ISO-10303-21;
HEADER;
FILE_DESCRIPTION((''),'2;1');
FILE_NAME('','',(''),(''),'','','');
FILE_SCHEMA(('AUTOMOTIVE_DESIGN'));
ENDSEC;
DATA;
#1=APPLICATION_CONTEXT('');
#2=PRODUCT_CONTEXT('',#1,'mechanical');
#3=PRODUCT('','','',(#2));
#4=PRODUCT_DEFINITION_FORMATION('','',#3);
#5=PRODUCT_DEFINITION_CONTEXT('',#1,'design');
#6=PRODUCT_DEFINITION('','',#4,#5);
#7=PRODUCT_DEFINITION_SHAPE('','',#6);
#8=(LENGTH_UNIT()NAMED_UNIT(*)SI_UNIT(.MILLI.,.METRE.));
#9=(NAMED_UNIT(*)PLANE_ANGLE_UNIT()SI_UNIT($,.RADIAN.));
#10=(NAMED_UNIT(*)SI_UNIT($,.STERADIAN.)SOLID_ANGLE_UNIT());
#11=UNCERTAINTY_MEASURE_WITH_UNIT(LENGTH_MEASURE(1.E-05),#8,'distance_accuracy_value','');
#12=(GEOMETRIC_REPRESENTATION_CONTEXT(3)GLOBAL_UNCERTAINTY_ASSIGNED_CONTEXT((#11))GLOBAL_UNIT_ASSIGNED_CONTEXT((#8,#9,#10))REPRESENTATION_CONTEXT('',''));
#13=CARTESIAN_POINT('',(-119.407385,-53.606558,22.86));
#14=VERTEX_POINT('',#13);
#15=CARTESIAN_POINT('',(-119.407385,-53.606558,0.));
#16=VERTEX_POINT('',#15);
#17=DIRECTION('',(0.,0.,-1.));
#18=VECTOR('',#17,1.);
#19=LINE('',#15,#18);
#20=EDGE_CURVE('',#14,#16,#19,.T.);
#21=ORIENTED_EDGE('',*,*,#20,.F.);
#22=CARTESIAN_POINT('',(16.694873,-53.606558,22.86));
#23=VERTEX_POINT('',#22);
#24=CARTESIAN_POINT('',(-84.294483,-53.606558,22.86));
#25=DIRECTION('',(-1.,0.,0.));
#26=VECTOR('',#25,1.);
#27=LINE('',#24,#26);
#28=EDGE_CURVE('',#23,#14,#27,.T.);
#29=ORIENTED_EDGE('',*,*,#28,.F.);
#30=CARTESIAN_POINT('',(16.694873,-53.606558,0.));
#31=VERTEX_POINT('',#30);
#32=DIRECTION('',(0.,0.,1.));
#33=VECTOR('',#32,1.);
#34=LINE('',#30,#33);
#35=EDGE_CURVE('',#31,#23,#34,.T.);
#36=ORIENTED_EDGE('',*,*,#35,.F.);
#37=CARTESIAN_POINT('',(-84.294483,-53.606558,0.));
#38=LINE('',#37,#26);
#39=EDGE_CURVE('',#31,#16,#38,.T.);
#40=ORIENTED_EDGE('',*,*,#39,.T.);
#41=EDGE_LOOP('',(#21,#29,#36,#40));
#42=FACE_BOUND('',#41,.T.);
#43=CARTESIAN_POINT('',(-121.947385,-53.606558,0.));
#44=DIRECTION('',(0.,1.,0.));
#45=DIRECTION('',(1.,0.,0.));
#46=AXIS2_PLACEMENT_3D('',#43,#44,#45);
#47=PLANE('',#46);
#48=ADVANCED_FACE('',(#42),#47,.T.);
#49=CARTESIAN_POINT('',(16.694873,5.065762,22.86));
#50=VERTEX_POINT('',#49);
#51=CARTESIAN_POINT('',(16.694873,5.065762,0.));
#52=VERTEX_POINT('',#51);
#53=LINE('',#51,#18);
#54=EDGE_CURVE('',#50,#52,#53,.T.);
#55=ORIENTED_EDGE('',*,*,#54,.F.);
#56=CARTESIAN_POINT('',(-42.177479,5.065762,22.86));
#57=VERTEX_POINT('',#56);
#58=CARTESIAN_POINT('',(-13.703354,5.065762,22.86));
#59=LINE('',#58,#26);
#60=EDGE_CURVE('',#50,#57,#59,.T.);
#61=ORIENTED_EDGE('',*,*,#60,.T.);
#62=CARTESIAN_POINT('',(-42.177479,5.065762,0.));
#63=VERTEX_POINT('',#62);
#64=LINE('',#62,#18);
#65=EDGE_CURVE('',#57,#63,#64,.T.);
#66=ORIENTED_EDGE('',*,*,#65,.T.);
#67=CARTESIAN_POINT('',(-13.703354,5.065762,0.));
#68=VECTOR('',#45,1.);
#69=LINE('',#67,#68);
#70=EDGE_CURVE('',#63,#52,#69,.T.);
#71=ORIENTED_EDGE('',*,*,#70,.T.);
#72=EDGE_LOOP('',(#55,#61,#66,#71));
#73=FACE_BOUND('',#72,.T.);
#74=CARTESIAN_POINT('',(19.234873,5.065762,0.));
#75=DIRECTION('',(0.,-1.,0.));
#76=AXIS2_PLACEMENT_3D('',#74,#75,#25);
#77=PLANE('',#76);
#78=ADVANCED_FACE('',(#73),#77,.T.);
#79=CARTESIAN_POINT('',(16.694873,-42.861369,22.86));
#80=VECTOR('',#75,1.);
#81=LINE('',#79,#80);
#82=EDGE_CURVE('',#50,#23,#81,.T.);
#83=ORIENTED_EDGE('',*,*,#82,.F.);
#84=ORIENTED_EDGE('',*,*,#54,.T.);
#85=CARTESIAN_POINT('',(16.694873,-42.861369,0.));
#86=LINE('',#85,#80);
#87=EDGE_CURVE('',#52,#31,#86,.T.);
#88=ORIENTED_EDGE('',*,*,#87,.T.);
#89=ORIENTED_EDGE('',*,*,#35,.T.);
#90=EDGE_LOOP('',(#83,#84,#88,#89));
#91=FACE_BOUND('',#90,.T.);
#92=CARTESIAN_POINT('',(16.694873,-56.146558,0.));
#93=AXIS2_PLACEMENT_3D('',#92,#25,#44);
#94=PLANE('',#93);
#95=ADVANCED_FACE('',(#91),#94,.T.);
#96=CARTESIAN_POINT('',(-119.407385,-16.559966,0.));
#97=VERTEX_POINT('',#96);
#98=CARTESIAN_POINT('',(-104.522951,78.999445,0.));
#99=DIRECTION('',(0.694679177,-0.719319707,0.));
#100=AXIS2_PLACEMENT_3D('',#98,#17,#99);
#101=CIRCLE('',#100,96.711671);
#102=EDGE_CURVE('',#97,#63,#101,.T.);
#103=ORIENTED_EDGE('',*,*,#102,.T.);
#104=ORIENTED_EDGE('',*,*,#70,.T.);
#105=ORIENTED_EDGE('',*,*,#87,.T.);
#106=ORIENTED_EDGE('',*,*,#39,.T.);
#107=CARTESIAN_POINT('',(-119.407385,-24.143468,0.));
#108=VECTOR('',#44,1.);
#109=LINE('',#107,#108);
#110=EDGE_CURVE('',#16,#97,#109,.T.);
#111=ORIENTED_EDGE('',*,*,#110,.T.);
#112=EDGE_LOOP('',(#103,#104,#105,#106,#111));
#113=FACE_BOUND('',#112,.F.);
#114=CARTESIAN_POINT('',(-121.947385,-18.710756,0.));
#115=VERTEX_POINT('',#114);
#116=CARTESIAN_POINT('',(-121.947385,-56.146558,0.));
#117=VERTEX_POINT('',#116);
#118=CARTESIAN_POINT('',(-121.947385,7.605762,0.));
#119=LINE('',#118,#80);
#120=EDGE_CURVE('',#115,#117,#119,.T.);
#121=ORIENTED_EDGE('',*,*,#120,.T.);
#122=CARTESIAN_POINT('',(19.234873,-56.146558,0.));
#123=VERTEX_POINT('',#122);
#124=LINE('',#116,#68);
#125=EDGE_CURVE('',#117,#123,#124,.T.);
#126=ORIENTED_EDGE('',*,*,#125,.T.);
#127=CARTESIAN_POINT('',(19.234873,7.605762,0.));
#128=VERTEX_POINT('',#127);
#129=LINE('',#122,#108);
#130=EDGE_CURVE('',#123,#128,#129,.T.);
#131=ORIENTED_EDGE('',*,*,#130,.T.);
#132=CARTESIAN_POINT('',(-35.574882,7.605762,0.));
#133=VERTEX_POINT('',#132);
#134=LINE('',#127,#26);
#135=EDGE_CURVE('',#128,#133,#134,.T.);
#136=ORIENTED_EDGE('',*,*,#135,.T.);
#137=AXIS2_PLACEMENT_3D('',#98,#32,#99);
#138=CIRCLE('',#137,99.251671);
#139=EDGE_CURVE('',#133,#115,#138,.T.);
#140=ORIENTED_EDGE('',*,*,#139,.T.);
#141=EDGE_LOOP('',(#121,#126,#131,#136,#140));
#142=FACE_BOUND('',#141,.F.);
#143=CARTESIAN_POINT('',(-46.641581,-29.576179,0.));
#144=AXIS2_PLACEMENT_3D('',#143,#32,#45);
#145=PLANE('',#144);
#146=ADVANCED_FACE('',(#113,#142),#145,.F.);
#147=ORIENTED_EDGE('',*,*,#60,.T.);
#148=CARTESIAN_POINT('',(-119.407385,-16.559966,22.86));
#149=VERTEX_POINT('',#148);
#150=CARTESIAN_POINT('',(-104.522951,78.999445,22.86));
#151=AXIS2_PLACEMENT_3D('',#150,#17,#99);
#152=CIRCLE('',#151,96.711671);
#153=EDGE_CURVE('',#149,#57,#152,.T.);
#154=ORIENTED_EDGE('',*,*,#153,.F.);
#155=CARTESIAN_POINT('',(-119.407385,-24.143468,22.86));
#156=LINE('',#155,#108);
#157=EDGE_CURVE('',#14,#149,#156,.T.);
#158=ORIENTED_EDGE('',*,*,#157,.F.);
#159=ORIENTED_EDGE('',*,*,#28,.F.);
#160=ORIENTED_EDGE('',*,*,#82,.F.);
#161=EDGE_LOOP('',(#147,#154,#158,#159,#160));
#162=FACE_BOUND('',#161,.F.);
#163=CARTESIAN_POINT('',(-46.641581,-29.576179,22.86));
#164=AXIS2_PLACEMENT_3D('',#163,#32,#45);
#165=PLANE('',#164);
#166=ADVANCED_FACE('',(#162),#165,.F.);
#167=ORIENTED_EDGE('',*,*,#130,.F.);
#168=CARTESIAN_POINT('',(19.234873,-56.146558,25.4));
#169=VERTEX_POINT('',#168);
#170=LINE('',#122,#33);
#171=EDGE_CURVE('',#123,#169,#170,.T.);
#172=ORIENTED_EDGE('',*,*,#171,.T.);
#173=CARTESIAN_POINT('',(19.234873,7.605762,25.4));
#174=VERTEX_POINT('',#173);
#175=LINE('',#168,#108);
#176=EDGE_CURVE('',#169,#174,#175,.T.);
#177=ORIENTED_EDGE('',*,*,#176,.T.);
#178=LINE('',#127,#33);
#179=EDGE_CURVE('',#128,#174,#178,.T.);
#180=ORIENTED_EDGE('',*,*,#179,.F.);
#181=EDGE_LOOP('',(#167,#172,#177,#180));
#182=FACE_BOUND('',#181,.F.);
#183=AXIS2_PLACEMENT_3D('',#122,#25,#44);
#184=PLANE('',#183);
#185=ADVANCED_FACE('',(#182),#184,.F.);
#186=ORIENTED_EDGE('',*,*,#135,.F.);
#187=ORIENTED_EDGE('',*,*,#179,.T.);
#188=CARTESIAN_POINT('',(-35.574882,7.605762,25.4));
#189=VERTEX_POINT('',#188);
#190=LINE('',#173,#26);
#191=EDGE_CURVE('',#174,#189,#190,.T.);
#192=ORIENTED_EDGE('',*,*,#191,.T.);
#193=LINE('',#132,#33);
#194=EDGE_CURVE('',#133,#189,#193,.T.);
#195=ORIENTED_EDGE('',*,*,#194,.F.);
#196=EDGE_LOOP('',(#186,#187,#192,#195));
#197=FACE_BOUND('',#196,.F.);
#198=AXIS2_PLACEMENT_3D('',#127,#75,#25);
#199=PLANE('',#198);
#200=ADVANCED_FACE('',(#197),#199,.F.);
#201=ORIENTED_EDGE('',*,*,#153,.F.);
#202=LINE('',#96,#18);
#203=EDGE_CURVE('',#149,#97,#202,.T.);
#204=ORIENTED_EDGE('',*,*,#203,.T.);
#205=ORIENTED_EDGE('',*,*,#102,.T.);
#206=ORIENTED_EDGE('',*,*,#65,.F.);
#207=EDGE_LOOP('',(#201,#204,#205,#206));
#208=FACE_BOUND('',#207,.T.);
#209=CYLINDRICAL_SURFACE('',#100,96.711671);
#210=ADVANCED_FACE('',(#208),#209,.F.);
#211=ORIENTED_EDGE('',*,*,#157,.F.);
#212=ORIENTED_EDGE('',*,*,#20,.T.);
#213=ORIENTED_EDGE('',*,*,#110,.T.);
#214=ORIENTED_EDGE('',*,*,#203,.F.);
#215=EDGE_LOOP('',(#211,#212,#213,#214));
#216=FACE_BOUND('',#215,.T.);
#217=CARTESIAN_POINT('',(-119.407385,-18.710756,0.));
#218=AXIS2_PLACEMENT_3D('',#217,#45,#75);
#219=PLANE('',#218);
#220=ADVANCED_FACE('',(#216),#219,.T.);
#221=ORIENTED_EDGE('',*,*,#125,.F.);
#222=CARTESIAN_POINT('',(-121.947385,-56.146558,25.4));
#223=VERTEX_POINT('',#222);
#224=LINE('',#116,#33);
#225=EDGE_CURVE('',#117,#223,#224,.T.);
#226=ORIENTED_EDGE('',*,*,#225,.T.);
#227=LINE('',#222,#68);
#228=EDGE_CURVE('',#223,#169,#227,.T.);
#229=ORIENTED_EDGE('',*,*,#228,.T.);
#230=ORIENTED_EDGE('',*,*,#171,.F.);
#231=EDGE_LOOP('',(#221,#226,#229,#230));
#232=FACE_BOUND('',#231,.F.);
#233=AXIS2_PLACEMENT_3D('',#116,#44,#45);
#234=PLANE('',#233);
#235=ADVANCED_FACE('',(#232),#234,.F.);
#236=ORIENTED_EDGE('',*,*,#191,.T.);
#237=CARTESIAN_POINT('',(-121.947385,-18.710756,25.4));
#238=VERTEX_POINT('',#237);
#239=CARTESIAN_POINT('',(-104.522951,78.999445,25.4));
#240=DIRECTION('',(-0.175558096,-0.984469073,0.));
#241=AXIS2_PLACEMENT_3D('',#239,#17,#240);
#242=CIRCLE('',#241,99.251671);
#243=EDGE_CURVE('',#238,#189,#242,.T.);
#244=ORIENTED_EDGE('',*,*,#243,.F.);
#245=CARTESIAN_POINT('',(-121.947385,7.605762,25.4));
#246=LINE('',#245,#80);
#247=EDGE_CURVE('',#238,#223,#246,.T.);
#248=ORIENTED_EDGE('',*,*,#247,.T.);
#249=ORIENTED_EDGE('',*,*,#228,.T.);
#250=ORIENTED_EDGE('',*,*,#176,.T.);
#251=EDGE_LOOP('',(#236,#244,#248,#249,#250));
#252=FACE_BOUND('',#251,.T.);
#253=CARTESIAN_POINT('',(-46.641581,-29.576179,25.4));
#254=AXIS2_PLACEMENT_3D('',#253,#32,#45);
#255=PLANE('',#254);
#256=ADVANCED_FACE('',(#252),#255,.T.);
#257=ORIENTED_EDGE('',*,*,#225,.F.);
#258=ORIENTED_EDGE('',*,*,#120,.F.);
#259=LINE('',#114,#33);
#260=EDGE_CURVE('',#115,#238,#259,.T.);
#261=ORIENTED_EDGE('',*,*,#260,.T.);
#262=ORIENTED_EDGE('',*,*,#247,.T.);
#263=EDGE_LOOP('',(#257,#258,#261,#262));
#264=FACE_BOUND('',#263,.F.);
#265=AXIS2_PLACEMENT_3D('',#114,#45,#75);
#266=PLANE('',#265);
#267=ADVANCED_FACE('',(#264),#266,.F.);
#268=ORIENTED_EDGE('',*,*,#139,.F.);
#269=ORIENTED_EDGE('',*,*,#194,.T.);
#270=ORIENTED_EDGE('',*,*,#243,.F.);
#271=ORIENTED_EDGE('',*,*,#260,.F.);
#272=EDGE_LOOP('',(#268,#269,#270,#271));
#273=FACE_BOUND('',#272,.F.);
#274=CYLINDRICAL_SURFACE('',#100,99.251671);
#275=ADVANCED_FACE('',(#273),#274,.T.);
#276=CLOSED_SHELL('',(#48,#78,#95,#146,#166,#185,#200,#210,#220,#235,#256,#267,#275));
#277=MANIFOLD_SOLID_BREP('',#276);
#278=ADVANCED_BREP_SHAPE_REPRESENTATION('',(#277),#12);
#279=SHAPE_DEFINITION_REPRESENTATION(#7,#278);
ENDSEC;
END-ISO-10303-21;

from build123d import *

# Parameters (mm, degrees)
F1_DEPTH = 25.4
F3_DEPTH = 25.4
F4_T     = -2.54


with BuildPart() as f1:
    # F0 (on Top) → F1 (new body)
    with BuildSketch(Plane.XY):
        with BuildLine():
            Line((19.2348733544, 7.6057617553), (-35.5748815684, 7.6057617553))
            ThreePointArc((-35.5748815684, 7.6057617553), (-75.5952649714, -15.9430811399), (-121.9473853707, -18.71075596))
            Line((-121.9473853707, -18.71075596), (-121.9473853707, -56.1465583742))
            Line((-121.9473853707, -56.1465583742), (19.2348733544, -56.1465583742))
            Line((19.2348733544, -56.1465583742), (19.2348733544, 7.6057617553))
        make_face()
        with BuildLine():
            Line((-35.5748815684, 7.6057617553), (-121.9473853707, 7.6057617553))
            Line((-121.9473853707, 7.6057617553), (-121.9473853707, -18.71075596))
            ThreePointArc((-121.9473853707, -18.71075596), (-75.5952649714, -15.9430811399), (-35.5748815684, 7.6057617553))
        make_face()
        with BuildLine():
            Line((-121.9473853707, -18.71075596), (-121.9473853707, 7.6057617553))
            Line((-121.9473853707, 7.6057617553), (-35.5748815684, 7.6057617553))
            ThreePointArc((-35.5748815684, 7.6057617553), (-13.1607449358, 40.2200486566), (-5.2712796474, 78.9994448423))
            ThreePointArc((-5.2712796474, 78.9994448423), (-168.2469260973, 155.0924750547), (-121.9473853707, -18.71075596))
        make_face()
    extrude(amount=F1_DEPTH)

    # F2 (on face) → F3 (join)
    with BuildSketch(Plane.XY.offset(25.4)):
        with BuildLine():
            ThreePointArc((-149.3627248428, -9.5459612091), (-95.718013043, 19.6715775936), (-74.3504000093, 76.8978372216))
            ThreePointArc((-74.3504000093, 76.8978372216), (-97.8658435535, 136.509233554), (-155.7459184192, 164.0118078208))
            ThreePointArc((-155.7459184192, 164.0118078208), (-203.7075635009, 75.3515840449), (-149.3627248428, -9.5459612091))
        make_face()
    extrude(amount=-F3_DEPTH)

    # F4
    f4_openings = [f1.faces().sort_by_distance(p)[0] for p in [
        (-92.78675, 58.561614, 0),
    ]]
    offset(amount=F4_T, openings=f4_openings, kind=Kind.INTERSECTION)


solid = f1.part
